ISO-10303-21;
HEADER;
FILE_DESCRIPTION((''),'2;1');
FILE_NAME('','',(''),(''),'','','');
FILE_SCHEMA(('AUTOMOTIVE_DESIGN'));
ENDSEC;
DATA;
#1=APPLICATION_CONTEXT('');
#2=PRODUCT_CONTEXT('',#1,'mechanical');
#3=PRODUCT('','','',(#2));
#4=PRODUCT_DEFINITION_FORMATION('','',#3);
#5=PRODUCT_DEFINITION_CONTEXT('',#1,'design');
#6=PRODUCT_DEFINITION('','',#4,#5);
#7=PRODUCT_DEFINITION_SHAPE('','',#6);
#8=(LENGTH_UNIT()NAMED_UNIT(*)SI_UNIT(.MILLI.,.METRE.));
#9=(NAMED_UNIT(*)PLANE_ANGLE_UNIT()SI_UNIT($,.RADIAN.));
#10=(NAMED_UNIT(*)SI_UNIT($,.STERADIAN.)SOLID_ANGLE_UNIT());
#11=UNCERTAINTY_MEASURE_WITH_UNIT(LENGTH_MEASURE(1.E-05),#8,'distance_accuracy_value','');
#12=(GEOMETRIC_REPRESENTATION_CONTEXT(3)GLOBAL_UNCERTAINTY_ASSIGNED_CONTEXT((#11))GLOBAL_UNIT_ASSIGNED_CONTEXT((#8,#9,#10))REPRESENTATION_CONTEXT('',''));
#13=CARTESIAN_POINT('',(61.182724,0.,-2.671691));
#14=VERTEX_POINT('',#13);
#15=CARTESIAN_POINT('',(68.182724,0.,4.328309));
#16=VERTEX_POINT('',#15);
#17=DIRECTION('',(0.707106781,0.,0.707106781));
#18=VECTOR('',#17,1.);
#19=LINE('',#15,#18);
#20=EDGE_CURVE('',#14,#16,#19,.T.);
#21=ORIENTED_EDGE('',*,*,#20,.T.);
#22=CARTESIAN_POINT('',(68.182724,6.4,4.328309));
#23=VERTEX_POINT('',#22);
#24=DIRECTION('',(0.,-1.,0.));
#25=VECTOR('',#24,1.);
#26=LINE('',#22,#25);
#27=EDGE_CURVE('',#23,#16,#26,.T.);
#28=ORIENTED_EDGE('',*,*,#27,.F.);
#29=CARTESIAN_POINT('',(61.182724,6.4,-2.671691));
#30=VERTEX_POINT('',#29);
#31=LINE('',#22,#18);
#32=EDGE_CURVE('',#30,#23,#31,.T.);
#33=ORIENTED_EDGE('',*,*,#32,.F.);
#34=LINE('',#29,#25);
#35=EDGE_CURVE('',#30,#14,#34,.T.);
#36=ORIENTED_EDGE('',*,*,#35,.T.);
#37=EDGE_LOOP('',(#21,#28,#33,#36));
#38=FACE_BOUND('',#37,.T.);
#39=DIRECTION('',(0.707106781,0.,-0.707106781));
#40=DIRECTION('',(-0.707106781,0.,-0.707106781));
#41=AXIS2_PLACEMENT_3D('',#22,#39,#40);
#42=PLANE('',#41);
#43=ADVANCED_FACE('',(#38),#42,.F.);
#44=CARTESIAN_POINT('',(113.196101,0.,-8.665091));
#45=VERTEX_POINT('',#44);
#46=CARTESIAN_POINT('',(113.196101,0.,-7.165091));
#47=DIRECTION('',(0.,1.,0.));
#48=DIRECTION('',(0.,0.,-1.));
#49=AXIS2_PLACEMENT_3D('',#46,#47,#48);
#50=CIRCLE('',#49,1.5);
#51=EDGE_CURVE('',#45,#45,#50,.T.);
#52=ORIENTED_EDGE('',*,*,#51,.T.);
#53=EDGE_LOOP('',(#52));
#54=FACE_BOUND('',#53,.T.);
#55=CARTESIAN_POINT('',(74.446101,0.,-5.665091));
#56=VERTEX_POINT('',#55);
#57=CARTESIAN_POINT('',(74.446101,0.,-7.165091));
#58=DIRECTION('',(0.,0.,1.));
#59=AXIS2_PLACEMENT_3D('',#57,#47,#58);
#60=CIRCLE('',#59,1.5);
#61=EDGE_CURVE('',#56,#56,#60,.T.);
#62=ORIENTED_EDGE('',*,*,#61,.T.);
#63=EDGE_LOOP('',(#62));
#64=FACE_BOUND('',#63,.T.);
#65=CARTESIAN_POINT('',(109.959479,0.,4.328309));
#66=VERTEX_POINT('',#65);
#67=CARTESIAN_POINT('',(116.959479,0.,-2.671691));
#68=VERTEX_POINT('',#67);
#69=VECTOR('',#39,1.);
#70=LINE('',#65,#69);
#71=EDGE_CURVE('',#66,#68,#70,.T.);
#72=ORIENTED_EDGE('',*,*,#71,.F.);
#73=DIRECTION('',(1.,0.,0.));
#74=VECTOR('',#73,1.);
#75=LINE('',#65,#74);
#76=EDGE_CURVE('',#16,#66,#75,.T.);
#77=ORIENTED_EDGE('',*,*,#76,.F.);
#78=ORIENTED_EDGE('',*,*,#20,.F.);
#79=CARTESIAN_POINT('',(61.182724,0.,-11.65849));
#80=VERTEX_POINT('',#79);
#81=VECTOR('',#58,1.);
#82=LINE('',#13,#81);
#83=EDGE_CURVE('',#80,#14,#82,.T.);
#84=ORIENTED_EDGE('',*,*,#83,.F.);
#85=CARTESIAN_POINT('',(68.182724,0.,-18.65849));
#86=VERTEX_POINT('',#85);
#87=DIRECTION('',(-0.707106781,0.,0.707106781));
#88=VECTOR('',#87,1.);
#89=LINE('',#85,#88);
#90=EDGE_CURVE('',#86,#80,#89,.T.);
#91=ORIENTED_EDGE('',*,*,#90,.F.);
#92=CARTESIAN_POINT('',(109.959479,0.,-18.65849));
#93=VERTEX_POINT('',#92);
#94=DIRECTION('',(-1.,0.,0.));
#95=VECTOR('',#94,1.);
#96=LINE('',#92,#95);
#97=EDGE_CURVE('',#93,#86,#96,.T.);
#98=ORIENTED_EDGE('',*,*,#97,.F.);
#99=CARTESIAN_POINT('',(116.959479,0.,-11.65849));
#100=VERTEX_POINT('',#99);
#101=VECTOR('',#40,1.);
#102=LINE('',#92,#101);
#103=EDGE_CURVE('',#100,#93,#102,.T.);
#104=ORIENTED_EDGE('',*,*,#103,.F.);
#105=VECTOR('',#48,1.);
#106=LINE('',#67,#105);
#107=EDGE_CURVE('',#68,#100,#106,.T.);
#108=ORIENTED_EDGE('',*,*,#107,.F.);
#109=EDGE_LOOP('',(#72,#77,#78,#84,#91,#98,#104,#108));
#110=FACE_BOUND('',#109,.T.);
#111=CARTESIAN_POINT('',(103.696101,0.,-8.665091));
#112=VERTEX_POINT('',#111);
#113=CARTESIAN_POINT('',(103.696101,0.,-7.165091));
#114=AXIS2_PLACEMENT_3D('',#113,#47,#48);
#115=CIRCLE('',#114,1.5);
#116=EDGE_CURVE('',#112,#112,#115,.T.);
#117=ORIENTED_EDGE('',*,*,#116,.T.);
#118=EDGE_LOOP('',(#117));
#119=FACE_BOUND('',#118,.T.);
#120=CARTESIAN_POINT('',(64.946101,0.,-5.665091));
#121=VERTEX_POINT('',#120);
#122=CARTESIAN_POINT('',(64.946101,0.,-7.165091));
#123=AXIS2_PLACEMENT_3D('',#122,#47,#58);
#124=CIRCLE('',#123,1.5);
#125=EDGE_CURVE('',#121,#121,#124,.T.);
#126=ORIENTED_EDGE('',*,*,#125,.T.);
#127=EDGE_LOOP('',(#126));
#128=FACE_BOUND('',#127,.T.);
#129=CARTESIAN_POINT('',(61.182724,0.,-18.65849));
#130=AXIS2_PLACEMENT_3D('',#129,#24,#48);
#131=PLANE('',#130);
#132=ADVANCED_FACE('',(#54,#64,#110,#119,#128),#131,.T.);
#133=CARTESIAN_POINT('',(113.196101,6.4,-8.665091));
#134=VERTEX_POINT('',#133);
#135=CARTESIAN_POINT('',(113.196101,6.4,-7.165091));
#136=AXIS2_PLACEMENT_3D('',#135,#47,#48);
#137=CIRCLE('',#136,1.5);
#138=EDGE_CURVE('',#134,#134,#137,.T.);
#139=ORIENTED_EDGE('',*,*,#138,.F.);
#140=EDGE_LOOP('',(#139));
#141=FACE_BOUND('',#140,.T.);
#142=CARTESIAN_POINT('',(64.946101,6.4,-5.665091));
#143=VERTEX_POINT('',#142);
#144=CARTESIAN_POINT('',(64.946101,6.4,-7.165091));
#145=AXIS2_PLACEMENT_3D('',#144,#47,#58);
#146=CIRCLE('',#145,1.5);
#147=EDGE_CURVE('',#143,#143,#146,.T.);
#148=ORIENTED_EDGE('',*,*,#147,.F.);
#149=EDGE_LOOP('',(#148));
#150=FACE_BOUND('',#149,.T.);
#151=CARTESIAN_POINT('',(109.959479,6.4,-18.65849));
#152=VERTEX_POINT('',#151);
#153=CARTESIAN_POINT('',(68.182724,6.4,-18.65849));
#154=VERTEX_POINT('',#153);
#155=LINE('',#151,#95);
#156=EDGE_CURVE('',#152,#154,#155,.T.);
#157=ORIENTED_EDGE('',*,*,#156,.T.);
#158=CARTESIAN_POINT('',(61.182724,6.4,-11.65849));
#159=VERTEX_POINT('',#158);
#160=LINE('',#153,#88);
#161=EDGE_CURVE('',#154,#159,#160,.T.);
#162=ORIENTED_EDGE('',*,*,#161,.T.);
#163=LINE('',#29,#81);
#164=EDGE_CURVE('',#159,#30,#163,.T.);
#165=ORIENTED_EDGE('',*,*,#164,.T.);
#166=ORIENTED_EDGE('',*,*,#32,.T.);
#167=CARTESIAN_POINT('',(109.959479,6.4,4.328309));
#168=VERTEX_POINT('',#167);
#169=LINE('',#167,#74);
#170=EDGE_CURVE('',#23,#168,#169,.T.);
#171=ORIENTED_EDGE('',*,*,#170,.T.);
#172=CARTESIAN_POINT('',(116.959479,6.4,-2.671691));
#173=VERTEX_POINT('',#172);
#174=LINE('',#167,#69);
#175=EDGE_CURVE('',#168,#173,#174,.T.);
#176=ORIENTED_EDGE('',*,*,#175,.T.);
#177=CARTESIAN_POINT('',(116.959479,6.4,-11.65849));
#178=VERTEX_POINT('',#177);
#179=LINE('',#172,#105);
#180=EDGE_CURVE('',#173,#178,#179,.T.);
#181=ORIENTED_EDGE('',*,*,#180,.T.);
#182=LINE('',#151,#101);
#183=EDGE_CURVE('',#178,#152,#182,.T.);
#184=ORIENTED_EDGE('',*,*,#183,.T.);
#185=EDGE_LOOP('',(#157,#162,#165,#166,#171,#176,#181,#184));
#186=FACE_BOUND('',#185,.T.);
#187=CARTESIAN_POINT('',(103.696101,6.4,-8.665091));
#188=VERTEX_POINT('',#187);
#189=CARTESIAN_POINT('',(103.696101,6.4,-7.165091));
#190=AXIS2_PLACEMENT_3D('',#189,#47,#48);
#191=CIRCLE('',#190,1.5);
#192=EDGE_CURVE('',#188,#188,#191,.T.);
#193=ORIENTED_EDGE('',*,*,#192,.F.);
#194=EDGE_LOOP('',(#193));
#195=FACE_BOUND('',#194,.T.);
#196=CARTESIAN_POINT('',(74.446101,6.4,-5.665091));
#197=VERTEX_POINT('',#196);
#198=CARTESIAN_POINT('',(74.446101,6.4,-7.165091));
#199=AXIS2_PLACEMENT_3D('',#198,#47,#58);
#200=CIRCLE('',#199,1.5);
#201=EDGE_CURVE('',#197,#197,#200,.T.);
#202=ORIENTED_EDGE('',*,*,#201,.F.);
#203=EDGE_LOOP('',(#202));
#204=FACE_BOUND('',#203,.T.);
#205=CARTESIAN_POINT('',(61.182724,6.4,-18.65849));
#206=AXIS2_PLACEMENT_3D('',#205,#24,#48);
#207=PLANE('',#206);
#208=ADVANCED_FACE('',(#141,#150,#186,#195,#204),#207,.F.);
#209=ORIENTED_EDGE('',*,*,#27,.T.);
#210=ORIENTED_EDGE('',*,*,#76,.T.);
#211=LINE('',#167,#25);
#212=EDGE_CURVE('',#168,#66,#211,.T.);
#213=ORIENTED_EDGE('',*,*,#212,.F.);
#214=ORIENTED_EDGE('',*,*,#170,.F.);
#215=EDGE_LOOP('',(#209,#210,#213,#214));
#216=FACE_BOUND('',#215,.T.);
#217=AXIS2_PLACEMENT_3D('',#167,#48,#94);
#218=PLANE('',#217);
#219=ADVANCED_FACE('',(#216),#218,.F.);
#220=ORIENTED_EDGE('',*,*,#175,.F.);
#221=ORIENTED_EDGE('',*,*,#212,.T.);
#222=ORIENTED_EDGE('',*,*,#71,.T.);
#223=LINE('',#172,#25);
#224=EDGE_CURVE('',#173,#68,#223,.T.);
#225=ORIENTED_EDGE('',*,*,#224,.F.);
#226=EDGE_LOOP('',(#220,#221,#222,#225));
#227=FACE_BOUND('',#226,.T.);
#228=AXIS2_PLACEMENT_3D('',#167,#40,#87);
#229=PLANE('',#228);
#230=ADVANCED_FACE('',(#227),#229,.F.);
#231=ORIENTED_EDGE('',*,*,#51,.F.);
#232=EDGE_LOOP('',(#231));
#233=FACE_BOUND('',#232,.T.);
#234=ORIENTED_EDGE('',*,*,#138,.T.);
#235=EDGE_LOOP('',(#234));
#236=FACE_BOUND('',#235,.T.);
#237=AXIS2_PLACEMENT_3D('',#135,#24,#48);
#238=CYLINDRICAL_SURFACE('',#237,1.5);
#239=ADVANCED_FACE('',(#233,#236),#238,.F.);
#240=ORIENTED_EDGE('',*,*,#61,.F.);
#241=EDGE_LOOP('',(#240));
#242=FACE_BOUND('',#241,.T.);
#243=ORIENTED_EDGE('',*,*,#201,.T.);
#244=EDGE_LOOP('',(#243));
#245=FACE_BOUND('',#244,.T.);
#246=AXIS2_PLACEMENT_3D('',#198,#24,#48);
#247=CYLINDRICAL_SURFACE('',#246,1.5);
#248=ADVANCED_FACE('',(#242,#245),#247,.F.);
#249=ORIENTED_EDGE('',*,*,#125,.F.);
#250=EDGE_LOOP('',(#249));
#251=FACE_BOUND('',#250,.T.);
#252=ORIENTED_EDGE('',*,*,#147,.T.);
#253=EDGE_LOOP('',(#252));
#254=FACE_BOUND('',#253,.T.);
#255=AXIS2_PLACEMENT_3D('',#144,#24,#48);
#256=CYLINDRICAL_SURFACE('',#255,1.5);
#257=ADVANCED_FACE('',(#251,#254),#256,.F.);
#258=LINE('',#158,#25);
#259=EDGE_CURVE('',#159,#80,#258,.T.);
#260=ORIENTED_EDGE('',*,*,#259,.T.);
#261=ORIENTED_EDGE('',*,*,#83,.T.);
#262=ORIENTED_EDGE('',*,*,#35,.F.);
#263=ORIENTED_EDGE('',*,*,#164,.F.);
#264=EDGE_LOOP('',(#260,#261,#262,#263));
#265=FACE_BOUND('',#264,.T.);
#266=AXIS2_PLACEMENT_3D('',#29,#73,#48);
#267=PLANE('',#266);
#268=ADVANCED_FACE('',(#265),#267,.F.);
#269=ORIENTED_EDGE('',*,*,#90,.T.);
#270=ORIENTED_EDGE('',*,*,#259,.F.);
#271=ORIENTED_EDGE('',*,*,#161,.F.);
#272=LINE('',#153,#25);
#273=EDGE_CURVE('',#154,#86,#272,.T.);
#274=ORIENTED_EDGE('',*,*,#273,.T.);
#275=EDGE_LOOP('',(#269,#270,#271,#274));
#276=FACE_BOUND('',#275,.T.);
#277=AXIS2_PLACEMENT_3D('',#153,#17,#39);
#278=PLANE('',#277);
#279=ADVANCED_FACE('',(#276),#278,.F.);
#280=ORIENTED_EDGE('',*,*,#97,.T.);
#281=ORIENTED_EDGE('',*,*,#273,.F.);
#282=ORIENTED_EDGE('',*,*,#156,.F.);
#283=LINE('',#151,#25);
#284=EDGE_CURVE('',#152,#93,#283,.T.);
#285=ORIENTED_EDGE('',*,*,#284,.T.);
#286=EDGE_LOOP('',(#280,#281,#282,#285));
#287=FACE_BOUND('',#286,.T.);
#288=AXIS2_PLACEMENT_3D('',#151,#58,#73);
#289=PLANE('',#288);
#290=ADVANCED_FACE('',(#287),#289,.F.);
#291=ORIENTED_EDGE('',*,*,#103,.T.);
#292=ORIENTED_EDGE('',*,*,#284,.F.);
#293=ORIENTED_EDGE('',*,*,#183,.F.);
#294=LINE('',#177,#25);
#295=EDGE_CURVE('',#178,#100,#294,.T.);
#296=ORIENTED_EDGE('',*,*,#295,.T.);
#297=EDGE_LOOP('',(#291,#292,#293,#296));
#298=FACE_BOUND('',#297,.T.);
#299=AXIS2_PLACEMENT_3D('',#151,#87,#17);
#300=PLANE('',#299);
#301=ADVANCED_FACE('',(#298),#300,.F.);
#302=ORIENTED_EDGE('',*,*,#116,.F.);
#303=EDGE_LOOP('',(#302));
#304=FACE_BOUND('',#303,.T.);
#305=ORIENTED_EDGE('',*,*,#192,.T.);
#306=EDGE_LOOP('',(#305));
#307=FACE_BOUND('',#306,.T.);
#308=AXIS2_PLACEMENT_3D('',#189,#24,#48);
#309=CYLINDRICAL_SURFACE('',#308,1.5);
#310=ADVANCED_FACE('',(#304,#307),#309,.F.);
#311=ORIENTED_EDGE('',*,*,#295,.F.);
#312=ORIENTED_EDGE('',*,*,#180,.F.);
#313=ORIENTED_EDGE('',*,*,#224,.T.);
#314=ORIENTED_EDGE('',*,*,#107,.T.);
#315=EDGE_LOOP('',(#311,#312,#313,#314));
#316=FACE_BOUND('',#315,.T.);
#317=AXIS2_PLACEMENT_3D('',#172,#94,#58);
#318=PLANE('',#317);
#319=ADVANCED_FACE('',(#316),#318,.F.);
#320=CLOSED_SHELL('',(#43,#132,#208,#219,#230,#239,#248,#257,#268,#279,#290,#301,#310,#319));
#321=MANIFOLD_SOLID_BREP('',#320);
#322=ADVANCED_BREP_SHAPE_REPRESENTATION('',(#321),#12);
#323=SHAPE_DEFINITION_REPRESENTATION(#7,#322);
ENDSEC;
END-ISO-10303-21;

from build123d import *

# Parameters (mm, degrees)
SKETCH1_R           = 1.5
BOSS_EXTRUDE1_DEPTH = 6.4


with BuildPart() as part:
    # Sketch1 → Boss-Extrude1 (new body)
    with BuildSketch(Plane(origin=(0, 0, 0), x_dir=(1, 0, 0), z_dir=(0, 1, 0))):
        Polygon((109.959478532, 18.658489835), (116.959478532, 11.658489835), (116.959478532, 2.671691354), (109.959478532, -4.328308646), (68.182724108, -4.328308646), (61.182724108, 2.671691354), (61.182724108, 11.658489835), (68.182724108, 18.658489835), align=None)
        with Locations(Location((74.44610132, 7.165090594, 0), (0, 0, 270))):
            Circle(SKETCH1_R, mode=Mode.SUBTRACT)
        with Locations(Location((113.19610132, 7.165090594, 0), (0, 0, 90))):
            Circle(SKETCH1_R, mode=Mode.SUBTRACT)
        with Locations(Location((103.69610132, 7.165090594, 0), (0, 0, 90))):
            Circle(SKETCH1_R, mode=Mode.SUBTRACT)
        with Locations(Location((64.94610132, 7.165090594, 0), (0, 0, 270))):
            Circle(SKETCH1_R, mode=Mode.SUBTRACT)
    extrude(amount=BOSS_EXTRUDE1_DEPTH)


solid = part.part
